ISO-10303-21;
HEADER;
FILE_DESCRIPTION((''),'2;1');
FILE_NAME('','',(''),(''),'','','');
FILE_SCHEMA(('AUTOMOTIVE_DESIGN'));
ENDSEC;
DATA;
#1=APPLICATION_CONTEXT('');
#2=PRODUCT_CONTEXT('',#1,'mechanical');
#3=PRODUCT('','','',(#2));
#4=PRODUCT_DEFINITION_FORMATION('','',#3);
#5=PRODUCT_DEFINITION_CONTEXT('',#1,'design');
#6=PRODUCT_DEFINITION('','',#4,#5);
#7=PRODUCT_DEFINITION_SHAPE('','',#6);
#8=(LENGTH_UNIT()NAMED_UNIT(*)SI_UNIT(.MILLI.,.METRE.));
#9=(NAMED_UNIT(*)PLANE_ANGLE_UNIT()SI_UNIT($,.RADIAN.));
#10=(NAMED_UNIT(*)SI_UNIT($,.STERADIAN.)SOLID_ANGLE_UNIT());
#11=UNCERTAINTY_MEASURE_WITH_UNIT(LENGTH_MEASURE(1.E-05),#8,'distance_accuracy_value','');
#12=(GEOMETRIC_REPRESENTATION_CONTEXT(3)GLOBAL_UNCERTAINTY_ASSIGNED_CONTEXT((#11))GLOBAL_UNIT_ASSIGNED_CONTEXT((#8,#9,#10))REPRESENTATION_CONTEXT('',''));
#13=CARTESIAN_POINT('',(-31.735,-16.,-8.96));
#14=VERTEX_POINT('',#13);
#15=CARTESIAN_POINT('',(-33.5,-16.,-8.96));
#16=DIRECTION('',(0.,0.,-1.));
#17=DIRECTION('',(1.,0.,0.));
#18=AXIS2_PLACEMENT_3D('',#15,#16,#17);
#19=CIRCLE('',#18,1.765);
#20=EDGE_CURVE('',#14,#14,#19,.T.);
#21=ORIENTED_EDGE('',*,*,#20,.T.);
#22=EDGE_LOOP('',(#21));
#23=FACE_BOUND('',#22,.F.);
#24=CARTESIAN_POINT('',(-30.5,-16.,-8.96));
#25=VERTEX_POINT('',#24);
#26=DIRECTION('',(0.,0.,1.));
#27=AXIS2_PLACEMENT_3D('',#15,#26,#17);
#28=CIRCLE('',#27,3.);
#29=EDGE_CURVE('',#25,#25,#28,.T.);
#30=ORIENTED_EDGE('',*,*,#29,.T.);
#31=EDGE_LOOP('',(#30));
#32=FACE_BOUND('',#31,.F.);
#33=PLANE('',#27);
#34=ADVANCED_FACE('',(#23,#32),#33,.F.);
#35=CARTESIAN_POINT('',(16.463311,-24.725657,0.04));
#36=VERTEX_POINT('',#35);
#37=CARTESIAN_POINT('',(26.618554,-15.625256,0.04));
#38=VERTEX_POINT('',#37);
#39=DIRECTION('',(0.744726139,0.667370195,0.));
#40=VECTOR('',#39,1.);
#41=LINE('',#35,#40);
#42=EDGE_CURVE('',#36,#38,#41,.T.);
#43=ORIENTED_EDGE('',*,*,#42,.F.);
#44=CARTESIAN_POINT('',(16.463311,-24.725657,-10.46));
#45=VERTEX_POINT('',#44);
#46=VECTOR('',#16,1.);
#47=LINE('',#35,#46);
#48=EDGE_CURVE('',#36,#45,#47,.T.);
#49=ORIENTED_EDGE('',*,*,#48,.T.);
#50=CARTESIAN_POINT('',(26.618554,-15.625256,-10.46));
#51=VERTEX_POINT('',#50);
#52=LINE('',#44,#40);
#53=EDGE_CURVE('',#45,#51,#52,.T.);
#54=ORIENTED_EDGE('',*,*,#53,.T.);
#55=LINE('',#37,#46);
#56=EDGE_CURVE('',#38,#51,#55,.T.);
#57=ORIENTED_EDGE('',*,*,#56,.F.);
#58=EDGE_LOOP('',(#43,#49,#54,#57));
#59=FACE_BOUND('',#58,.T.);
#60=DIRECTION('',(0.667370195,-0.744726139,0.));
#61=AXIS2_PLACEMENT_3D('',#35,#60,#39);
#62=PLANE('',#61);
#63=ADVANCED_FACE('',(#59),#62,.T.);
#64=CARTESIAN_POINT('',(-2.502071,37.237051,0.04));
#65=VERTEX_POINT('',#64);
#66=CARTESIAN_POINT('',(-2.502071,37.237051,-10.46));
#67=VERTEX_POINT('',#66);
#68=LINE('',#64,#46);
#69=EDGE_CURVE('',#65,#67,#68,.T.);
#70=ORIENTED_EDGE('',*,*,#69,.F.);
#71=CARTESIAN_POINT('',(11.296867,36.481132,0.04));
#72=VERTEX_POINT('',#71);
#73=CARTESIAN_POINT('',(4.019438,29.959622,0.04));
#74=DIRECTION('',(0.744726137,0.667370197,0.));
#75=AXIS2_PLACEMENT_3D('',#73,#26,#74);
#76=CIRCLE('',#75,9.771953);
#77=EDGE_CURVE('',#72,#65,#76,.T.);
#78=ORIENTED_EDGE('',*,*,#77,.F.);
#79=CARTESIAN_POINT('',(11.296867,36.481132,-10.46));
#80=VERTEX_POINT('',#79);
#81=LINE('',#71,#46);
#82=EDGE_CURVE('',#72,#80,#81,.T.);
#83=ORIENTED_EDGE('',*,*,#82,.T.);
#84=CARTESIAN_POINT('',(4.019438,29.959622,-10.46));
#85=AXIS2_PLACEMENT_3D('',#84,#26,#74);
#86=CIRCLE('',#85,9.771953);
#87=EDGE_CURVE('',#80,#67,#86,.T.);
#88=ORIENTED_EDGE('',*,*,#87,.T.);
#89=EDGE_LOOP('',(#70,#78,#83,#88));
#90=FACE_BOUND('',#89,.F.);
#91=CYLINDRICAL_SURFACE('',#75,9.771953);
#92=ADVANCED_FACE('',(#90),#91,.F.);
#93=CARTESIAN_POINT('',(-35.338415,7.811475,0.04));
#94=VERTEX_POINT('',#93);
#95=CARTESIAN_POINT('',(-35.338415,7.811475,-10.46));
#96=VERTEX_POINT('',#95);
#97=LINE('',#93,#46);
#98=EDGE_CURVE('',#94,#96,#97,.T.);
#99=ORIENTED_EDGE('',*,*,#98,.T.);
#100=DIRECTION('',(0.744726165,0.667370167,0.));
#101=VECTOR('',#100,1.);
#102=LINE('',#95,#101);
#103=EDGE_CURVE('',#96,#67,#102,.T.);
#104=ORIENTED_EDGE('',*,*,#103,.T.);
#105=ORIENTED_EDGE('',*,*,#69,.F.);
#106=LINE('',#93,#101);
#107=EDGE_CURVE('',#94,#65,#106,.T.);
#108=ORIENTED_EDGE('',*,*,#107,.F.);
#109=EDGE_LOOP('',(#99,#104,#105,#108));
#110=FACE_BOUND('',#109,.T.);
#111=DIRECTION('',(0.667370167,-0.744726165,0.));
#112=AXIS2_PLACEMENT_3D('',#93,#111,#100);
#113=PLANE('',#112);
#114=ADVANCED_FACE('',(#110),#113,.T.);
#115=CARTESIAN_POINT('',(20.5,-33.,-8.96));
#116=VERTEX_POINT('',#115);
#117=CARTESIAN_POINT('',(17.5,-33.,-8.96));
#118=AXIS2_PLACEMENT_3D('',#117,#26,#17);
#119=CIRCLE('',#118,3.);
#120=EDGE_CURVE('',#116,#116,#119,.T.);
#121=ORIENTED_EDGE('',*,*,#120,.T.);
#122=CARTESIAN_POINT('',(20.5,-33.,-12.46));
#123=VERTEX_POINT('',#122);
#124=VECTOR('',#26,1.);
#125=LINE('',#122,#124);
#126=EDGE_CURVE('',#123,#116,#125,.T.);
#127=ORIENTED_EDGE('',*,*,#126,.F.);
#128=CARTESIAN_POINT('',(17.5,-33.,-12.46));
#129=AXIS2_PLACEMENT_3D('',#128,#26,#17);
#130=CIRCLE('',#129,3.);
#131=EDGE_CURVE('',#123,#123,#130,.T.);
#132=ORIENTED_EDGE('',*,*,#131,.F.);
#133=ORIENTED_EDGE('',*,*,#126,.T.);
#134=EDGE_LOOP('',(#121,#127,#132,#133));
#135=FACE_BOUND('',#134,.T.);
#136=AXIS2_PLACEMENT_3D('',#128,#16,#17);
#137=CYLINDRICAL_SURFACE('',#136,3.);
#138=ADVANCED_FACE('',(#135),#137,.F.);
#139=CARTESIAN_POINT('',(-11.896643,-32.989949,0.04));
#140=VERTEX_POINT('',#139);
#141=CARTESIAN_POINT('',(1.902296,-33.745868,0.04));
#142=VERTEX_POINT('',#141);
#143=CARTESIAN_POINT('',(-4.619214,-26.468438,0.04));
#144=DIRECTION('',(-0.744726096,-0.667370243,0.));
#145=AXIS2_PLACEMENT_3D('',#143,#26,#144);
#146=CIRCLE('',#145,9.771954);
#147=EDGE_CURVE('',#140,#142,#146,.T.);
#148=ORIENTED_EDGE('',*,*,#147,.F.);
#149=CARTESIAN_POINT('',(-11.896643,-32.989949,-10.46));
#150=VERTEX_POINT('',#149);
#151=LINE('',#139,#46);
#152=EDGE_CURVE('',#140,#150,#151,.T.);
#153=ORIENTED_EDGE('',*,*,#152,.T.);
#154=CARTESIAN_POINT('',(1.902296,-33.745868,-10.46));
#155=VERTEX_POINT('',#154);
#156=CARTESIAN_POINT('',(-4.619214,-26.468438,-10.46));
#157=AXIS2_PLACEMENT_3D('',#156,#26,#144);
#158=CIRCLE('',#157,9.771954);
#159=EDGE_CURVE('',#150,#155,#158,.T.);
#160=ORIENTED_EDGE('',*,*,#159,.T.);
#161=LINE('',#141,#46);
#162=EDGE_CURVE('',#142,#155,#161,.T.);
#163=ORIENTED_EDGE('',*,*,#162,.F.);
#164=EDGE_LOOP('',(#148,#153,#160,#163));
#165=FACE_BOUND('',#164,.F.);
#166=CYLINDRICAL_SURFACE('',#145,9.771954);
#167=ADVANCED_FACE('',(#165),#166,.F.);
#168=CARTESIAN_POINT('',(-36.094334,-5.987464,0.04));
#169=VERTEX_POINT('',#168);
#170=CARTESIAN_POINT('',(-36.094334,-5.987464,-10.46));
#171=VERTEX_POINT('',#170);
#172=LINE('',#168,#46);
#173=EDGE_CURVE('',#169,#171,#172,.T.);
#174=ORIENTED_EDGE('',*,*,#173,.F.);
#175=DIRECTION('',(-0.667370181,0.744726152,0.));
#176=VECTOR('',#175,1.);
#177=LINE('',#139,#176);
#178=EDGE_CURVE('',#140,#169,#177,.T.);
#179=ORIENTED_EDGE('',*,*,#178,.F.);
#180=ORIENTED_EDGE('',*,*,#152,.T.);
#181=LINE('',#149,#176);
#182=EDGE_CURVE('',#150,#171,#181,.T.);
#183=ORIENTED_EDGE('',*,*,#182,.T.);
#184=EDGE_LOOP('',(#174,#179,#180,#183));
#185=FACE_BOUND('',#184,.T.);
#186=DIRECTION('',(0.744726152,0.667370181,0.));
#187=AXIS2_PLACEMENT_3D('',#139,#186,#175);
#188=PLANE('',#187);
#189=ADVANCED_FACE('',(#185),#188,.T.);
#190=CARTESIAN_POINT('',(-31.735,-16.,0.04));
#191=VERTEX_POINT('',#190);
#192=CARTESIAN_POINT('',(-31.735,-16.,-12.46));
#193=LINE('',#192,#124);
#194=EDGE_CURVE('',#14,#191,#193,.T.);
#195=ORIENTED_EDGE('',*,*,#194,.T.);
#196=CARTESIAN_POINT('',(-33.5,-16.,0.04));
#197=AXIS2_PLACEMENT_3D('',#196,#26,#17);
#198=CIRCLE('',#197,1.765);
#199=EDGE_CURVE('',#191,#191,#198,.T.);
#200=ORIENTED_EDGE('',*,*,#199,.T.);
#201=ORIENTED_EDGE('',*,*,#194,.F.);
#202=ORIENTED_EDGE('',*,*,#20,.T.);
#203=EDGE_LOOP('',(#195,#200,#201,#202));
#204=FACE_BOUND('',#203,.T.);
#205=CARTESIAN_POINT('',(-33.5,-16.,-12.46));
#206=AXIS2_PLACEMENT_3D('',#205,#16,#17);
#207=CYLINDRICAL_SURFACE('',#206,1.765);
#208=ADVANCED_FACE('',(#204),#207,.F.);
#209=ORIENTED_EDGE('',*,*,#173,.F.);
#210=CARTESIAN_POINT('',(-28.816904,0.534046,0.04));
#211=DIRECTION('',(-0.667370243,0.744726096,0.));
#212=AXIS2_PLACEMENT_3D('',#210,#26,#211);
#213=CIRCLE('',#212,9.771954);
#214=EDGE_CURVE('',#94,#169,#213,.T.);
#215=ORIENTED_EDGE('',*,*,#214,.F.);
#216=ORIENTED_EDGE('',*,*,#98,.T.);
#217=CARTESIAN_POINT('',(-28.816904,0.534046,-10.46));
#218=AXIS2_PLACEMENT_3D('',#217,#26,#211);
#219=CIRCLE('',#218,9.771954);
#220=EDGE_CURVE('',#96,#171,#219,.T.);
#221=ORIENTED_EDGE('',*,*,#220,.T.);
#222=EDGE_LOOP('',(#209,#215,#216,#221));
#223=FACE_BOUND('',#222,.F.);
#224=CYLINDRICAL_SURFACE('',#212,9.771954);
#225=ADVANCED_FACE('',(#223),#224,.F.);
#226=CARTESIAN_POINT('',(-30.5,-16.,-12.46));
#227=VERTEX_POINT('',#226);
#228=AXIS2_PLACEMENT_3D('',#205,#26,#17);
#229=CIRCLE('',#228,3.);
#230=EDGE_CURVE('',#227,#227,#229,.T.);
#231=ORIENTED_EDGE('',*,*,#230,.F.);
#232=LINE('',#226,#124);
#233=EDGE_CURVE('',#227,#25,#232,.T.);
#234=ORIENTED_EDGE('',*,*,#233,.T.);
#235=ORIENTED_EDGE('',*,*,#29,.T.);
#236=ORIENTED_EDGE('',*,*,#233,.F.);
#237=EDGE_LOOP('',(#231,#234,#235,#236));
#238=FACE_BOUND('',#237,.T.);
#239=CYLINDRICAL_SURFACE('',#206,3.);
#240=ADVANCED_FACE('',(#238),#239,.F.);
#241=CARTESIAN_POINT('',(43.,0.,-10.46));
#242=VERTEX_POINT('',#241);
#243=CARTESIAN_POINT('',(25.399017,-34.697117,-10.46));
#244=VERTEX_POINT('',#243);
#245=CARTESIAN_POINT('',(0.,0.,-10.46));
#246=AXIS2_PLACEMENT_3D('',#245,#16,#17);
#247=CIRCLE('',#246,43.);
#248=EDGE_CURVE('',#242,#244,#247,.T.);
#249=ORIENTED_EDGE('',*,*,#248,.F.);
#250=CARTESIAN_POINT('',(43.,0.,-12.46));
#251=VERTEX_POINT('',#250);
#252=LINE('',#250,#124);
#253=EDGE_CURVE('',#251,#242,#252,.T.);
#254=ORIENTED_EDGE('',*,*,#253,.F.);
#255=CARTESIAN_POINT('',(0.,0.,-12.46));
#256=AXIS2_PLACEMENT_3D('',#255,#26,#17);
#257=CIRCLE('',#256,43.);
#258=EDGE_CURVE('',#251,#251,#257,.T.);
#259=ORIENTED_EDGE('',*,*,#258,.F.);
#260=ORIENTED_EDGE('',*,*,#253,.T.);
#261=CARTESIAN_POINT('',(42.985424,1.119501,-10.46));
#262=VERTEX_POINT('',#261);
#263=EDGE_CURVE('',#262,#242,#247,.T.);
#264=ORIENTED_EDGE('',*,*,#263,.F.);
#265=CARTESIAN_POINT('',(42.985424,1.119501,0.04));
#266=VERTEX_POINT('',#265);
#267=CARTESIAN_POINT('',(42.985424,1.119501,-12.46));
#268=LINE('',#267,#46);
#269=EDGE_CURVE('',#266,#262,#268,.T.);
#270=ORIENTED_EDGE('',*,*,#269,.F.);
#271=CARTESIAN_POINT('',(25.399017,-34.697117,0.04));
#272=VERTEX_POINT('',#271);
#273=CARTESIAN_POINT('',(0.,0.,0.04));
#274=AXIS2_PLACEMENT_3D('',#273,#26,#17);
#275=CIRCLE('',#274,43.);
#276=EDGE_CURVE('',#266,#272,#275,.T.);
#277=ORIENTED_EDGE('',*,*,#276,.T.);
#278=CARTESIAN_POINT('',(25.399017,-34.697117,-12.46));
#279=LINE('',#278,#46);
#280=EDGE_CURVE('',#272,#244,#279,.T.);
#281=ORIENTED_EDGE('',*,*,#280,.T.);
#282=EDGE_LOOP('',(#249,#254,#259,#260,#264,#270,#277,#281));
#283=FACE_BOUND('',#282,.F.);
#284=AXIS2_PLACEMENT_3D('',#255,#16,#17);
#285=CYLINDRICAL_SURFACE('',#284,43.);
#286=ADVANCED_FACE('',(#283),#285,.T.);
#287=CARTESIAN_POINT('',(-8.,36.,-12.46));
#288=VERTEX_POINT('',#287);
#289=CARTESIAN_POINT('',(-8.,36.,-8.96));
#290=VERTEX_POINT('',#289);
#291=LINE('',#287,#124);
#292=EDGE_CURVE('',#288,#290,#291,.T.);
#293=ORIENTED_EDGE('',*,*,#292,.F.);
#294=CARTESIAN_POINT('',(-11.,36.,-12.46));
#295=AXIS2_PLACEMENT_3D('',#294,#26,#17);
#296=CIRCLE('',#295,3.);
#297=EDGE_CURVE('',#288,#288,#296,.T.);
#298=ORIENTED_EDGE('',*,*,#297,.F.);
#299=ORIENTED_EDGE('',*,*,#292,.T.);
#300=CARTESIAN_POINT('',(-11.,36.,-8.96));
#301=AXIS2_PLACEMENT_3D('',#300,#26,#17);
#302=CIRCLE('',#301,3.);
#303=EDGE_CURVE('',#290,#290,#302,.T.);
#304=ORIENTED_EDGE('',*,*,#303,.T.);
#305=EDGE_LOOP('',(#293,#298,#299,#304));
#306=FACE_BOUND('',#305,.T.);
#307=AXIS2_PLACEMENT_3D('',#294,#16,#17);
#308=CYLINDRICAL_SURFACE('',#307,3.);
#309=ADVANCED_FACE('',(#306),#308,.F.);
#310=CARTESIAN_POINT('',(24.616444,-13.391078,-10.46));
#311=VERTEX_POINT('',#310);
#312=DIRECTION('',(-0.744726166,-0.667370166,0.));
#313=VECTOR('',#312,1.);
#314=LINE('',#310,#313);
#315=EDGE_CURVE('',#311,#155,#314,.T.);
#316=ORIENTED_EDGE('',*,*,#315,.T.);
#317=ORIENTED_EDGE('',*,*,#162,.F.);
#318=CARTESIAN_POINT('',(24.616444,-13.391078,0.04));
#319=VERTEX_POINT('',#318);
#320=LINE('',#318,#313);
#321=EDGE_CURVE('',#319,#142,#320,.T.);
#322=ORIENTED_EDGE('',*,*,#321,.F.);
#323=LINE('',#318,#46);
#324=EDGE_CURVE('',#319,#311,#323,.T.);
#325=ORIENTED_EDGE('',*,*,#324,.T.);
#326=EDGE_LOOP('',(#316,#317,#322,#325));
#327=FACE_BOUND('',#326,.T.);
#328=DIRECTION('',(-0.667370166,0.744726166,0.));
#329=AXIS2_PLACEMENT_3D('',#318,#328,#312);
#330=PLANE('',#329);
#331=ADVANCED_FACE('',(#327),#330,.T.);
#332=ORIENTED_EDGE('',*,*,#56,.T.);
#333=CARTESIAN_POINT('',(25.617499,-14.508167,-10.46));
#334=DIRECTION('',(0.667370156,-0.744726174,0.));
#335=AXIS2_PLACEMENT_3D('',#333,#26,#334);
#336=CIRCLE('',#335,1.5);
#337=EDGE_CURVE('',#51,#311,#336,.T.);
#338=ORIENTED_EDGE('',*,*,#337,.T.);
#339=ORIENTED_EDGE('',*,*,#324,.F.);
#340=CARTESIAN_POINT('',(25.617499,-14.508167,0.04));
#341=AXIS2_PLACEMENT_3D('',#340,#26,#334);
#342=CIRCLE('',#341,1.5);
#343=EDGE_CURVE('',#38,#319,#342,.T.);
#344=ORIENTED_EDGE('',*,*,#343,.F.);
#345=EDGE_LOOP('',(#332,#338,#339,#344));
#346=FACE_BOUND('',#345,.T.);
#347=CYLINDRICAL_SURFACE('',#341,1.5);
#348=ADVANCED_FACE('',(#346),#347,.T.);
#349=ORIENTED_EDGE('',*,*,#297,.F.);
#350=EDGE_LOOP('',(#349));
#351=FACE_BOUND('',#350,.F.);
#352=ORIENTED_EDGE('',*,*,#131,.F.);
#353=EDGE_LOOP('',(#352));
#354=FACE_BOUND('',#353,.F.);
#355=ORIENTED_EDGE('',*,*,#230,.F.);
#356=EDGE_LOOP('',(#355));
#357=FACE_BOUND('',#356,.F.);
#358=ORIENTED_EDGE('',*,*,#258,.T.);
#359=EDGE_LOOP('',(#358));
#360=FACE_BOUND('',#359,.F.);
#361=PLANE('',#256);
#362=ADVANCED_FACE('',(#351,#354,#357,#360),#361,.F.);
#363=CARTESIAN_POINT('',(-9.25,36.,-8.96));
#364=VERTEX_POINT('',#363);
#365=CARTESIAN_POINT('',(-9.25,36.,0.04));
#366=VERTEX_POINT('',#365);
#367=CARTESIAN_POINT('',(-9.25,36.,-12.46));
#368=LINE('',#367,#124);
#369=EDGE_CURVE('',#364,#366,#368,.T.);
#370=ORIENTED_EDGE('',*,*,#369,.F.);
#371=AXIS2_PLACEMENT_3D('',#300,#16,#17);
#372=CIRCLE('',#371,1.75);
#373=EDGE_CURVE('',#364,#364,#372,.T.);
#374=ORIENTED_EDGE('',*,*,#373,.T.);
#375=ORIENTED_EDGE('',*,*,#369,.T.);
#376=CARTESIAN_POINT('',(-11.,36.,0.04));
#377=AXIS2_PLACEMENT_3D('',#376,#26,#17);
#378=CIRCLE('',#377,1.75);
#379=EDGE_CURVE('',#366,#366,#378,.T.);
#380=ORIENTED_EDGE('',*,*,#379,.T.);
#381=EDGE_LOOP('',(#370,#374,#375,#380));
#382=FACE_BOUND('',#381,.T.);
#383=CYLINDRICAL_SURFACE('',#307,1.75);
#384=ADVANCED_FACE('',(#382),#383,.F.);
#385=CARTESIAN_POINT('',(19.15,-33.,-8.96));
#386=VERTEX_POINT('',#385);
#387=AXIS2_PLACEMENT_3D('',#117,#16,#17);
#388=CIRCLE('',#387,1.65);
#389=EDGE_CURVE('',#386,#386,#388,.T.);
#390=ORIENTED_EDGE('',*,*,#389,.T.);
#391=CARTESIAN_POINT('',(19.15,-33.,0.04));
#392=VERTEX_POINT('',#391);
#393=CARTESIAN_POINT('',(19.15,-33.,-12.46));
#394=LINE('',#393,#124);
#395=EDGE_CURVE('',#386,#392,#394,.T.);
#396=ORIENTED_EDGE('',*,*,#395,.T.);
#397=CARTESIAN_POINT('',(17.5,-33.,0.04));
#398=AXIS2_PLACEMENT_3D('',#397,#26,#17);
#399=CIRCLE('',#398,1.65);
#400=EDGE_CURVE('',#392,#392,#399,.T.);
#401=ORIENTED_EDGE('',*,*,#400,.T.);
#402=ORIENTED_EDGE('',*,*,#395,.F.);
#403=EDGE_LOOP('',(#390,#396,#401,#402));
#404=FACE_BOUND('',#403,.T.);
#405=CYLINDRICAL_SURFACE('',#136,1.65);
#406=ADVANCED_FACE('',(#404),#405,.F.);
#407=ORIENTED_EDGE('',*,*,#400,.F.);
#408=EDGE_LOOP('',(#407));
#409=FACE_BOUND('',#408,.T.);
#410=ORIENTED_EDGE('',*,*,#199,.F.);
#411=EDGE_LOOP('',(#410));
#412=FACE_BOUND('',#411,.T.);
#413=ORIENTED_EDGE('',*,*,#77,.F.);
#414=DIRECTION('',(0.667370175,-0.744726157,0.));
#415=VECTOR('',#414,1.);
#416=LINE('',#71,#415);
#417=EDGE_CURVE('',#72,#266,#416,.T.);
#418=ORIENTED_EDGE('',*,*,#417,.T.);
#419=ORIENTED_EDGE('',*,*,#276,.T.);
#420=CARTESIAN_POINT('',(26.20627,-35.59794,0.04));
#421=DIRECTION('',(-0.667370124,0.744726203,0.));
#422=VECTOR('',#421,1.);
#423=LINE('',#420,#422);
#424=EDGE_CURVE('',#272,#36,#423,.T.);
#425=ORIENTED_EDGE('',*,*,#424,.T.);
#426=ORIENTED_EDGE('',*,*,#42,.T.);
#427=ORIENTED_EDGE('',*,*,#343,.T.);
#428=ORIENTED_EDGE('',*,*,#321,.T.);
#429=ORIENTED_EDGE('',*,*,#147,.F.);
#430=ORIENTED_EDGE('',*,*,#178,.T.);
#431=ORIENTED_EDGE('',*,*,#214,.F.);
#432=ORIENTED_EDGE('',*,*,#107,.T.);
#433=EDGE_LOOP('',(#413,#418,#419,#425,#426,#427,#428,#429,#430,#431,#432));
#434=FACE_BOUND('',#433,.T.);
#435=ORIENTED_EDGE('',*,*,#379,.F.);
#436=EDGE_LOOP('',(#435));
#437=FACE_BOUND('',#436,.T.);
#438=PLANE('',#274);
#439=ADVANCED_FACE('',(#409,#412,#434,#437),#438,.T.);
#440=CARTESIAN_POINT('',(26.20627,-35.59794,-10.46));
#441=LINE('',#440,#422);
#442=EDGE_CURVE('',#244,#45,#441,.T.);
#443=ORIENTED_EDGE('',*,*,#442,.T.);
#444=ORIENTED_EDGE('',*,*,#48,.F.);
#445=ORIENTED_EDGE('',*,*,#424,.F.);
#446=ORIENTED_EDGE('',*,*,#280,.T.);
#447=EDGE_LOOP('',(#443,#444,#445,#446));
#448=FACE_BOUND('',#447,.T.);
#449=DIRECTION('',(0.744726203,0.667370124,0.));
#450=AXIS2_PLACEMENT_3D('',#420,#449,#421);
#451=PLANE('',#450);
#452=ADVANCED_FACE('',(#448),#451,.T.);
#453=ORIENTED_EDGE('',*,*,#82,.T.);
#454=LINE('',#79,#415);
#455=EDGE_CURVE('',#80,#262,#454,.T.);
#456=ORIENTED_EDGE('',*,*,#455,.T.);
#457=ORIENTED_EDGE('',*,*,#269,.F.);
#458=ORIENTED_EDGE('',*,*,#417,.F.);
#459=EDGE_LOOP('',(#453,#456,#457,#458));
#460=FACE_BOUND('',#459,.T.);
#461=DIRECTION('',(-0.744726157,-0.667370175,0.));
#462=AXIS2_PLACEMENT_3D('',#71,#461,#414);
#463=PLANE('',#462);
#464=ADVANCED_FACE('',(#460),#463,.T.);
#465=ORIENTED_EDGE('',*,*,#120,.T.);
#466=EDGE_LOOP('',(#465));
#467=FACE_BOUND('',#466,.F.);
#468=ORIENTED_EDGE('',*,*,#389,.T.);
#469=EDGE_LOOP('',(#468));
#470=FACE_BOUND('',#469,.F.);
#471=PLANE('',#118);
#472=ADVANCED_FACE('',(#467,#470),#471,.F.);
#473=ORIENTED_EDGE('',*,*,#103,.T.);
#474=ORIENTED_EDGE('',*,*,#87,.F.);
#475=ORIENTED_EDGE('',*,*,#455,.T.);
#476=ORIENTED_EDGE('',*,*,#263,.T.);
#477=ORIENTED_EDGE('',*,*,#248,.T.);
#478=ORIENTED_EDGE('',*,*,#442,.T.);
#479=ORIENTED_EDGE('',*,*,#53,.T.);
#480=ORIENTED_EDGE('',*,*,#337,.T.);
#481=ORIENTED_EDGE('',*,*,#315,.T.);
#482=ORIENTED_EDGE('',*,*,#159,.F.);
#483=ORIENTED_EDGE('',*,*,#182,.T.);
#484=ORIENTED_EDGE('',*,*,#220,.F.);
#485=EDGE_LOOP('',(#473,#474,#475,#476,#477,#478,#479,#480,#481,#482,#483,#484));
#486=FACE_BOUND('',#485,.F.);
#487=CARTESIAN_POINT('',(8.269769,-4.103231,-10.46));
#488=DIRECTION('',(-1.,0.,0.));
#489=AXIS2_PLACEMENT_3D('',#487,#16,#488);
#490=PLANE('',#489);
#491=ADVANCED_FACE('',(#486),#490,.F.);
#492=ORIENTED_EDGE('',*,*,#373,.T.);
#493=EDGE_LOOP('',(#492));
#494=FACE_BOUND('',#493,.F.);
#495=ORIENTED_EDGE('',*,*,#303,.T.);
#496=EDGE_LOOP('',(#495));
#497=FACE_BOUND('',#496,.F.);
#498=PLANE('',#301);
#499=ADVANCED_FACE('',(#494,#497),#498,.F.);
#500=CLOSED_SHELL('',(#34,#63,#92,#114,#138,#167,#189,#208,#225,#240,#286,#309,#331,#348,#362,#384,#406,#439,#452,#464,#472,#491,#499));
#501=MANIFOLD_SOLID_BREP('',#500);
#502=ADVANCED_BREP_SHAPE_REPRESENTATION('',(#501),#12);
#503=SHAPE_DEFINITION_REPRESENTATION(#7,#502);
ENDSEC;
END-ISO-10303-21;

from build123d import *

# Parameters (mm, degrees)
SKETCH030_R     = 43
SKETCH030_R_2   = 1.765
SKETCH030_R_3   = 1.65
SKETCH030_R_4   = 1.75
PAD005_DEPTH    = 12.5
POCKET001_DEPTH = 10.5
SKETCH032_R     = 3
POCKET002_DEPTH = 3.5


with BuildPart() as part:
    # Sketch030 → Pad005 (new body)
    with BuildSketch(Plane.XY):
        Circle(SKETCH030_R)
        with Locations((-33.5, -16)):
            Circle(SKETCH030_R_2, mode=Mode.SUBTRACT)
        with Locations((17.5, -33)):
            Circle(SKETCH030_R_3, mode=Mode.SUBTRACT)
        with Locations((-11, 36)):
            Circle(SKETCH030_R_4, mode=Mode.SUBTRACT)
    extrude(amount=PAD005_DEPTH)

    # Sketch031 (on Face6 of Pad005) → Pocket001 (cut)
    with BuildSketch(Plane.XY.offset(12.5)):
        with BuildLine():
            Line((11.296867, 36.481132), (53.761138, -10.905243))
            Line((53.761138, -10.905243), (26.20627, -35.59794))
            Line((26.20627, -35.59794), (16.463311, -24.725657))
            Line((16.463311, -24.725657), (26.618554, -15.625256))
            ThreePointArc((26.618554, -15.625256), (26.734588, -13.507112), (24.616444, -13.391078))
            Line((24.616444, -13.391078), (1.902296, -33.745868))
            ThreePointArc((-11.896643, -32.989949), (-5.153729, -36.225762), (1.902296, -33.745868))
            Line((-11.896643, -32.989949), (-36.094334, -5.987464))
            ThreePointArc((-35.338415, 7.811475), (-38.574228, 1.068561), (-36.094334, -5.987464))
            Line((-35.338415, 7.811475), (-2.502071, 37.237051))
            ThreePointArc((11.296867, 36.481132), (4.553954, 39.716945), (-2.502071, 37.237051))
        make_face()
    extrude(amount=-POCKET001_DEPTH, mode=Mode.SUBTRACT)

    # Sketch032 → Pocket002 (cut)
    with BuildSketch(Plane.XY):
        with Locations((-33.5, -16)):
            Circle(SKETCH032_R)
        with Locations((17.5, -33)):
            Circle(SKETCH032_R)
        with Locations((-11, 36)):
            Circle(SKETCH032_R)
    extrude(amount=POCKET002_DEPTH, mode=Mode.SUBTRACT)


with BuildPart() as part_1:
    # Body007 placement: moved
    add(part.part.moved(Location((0, 0, -12.46))))


solid = part_1.part
